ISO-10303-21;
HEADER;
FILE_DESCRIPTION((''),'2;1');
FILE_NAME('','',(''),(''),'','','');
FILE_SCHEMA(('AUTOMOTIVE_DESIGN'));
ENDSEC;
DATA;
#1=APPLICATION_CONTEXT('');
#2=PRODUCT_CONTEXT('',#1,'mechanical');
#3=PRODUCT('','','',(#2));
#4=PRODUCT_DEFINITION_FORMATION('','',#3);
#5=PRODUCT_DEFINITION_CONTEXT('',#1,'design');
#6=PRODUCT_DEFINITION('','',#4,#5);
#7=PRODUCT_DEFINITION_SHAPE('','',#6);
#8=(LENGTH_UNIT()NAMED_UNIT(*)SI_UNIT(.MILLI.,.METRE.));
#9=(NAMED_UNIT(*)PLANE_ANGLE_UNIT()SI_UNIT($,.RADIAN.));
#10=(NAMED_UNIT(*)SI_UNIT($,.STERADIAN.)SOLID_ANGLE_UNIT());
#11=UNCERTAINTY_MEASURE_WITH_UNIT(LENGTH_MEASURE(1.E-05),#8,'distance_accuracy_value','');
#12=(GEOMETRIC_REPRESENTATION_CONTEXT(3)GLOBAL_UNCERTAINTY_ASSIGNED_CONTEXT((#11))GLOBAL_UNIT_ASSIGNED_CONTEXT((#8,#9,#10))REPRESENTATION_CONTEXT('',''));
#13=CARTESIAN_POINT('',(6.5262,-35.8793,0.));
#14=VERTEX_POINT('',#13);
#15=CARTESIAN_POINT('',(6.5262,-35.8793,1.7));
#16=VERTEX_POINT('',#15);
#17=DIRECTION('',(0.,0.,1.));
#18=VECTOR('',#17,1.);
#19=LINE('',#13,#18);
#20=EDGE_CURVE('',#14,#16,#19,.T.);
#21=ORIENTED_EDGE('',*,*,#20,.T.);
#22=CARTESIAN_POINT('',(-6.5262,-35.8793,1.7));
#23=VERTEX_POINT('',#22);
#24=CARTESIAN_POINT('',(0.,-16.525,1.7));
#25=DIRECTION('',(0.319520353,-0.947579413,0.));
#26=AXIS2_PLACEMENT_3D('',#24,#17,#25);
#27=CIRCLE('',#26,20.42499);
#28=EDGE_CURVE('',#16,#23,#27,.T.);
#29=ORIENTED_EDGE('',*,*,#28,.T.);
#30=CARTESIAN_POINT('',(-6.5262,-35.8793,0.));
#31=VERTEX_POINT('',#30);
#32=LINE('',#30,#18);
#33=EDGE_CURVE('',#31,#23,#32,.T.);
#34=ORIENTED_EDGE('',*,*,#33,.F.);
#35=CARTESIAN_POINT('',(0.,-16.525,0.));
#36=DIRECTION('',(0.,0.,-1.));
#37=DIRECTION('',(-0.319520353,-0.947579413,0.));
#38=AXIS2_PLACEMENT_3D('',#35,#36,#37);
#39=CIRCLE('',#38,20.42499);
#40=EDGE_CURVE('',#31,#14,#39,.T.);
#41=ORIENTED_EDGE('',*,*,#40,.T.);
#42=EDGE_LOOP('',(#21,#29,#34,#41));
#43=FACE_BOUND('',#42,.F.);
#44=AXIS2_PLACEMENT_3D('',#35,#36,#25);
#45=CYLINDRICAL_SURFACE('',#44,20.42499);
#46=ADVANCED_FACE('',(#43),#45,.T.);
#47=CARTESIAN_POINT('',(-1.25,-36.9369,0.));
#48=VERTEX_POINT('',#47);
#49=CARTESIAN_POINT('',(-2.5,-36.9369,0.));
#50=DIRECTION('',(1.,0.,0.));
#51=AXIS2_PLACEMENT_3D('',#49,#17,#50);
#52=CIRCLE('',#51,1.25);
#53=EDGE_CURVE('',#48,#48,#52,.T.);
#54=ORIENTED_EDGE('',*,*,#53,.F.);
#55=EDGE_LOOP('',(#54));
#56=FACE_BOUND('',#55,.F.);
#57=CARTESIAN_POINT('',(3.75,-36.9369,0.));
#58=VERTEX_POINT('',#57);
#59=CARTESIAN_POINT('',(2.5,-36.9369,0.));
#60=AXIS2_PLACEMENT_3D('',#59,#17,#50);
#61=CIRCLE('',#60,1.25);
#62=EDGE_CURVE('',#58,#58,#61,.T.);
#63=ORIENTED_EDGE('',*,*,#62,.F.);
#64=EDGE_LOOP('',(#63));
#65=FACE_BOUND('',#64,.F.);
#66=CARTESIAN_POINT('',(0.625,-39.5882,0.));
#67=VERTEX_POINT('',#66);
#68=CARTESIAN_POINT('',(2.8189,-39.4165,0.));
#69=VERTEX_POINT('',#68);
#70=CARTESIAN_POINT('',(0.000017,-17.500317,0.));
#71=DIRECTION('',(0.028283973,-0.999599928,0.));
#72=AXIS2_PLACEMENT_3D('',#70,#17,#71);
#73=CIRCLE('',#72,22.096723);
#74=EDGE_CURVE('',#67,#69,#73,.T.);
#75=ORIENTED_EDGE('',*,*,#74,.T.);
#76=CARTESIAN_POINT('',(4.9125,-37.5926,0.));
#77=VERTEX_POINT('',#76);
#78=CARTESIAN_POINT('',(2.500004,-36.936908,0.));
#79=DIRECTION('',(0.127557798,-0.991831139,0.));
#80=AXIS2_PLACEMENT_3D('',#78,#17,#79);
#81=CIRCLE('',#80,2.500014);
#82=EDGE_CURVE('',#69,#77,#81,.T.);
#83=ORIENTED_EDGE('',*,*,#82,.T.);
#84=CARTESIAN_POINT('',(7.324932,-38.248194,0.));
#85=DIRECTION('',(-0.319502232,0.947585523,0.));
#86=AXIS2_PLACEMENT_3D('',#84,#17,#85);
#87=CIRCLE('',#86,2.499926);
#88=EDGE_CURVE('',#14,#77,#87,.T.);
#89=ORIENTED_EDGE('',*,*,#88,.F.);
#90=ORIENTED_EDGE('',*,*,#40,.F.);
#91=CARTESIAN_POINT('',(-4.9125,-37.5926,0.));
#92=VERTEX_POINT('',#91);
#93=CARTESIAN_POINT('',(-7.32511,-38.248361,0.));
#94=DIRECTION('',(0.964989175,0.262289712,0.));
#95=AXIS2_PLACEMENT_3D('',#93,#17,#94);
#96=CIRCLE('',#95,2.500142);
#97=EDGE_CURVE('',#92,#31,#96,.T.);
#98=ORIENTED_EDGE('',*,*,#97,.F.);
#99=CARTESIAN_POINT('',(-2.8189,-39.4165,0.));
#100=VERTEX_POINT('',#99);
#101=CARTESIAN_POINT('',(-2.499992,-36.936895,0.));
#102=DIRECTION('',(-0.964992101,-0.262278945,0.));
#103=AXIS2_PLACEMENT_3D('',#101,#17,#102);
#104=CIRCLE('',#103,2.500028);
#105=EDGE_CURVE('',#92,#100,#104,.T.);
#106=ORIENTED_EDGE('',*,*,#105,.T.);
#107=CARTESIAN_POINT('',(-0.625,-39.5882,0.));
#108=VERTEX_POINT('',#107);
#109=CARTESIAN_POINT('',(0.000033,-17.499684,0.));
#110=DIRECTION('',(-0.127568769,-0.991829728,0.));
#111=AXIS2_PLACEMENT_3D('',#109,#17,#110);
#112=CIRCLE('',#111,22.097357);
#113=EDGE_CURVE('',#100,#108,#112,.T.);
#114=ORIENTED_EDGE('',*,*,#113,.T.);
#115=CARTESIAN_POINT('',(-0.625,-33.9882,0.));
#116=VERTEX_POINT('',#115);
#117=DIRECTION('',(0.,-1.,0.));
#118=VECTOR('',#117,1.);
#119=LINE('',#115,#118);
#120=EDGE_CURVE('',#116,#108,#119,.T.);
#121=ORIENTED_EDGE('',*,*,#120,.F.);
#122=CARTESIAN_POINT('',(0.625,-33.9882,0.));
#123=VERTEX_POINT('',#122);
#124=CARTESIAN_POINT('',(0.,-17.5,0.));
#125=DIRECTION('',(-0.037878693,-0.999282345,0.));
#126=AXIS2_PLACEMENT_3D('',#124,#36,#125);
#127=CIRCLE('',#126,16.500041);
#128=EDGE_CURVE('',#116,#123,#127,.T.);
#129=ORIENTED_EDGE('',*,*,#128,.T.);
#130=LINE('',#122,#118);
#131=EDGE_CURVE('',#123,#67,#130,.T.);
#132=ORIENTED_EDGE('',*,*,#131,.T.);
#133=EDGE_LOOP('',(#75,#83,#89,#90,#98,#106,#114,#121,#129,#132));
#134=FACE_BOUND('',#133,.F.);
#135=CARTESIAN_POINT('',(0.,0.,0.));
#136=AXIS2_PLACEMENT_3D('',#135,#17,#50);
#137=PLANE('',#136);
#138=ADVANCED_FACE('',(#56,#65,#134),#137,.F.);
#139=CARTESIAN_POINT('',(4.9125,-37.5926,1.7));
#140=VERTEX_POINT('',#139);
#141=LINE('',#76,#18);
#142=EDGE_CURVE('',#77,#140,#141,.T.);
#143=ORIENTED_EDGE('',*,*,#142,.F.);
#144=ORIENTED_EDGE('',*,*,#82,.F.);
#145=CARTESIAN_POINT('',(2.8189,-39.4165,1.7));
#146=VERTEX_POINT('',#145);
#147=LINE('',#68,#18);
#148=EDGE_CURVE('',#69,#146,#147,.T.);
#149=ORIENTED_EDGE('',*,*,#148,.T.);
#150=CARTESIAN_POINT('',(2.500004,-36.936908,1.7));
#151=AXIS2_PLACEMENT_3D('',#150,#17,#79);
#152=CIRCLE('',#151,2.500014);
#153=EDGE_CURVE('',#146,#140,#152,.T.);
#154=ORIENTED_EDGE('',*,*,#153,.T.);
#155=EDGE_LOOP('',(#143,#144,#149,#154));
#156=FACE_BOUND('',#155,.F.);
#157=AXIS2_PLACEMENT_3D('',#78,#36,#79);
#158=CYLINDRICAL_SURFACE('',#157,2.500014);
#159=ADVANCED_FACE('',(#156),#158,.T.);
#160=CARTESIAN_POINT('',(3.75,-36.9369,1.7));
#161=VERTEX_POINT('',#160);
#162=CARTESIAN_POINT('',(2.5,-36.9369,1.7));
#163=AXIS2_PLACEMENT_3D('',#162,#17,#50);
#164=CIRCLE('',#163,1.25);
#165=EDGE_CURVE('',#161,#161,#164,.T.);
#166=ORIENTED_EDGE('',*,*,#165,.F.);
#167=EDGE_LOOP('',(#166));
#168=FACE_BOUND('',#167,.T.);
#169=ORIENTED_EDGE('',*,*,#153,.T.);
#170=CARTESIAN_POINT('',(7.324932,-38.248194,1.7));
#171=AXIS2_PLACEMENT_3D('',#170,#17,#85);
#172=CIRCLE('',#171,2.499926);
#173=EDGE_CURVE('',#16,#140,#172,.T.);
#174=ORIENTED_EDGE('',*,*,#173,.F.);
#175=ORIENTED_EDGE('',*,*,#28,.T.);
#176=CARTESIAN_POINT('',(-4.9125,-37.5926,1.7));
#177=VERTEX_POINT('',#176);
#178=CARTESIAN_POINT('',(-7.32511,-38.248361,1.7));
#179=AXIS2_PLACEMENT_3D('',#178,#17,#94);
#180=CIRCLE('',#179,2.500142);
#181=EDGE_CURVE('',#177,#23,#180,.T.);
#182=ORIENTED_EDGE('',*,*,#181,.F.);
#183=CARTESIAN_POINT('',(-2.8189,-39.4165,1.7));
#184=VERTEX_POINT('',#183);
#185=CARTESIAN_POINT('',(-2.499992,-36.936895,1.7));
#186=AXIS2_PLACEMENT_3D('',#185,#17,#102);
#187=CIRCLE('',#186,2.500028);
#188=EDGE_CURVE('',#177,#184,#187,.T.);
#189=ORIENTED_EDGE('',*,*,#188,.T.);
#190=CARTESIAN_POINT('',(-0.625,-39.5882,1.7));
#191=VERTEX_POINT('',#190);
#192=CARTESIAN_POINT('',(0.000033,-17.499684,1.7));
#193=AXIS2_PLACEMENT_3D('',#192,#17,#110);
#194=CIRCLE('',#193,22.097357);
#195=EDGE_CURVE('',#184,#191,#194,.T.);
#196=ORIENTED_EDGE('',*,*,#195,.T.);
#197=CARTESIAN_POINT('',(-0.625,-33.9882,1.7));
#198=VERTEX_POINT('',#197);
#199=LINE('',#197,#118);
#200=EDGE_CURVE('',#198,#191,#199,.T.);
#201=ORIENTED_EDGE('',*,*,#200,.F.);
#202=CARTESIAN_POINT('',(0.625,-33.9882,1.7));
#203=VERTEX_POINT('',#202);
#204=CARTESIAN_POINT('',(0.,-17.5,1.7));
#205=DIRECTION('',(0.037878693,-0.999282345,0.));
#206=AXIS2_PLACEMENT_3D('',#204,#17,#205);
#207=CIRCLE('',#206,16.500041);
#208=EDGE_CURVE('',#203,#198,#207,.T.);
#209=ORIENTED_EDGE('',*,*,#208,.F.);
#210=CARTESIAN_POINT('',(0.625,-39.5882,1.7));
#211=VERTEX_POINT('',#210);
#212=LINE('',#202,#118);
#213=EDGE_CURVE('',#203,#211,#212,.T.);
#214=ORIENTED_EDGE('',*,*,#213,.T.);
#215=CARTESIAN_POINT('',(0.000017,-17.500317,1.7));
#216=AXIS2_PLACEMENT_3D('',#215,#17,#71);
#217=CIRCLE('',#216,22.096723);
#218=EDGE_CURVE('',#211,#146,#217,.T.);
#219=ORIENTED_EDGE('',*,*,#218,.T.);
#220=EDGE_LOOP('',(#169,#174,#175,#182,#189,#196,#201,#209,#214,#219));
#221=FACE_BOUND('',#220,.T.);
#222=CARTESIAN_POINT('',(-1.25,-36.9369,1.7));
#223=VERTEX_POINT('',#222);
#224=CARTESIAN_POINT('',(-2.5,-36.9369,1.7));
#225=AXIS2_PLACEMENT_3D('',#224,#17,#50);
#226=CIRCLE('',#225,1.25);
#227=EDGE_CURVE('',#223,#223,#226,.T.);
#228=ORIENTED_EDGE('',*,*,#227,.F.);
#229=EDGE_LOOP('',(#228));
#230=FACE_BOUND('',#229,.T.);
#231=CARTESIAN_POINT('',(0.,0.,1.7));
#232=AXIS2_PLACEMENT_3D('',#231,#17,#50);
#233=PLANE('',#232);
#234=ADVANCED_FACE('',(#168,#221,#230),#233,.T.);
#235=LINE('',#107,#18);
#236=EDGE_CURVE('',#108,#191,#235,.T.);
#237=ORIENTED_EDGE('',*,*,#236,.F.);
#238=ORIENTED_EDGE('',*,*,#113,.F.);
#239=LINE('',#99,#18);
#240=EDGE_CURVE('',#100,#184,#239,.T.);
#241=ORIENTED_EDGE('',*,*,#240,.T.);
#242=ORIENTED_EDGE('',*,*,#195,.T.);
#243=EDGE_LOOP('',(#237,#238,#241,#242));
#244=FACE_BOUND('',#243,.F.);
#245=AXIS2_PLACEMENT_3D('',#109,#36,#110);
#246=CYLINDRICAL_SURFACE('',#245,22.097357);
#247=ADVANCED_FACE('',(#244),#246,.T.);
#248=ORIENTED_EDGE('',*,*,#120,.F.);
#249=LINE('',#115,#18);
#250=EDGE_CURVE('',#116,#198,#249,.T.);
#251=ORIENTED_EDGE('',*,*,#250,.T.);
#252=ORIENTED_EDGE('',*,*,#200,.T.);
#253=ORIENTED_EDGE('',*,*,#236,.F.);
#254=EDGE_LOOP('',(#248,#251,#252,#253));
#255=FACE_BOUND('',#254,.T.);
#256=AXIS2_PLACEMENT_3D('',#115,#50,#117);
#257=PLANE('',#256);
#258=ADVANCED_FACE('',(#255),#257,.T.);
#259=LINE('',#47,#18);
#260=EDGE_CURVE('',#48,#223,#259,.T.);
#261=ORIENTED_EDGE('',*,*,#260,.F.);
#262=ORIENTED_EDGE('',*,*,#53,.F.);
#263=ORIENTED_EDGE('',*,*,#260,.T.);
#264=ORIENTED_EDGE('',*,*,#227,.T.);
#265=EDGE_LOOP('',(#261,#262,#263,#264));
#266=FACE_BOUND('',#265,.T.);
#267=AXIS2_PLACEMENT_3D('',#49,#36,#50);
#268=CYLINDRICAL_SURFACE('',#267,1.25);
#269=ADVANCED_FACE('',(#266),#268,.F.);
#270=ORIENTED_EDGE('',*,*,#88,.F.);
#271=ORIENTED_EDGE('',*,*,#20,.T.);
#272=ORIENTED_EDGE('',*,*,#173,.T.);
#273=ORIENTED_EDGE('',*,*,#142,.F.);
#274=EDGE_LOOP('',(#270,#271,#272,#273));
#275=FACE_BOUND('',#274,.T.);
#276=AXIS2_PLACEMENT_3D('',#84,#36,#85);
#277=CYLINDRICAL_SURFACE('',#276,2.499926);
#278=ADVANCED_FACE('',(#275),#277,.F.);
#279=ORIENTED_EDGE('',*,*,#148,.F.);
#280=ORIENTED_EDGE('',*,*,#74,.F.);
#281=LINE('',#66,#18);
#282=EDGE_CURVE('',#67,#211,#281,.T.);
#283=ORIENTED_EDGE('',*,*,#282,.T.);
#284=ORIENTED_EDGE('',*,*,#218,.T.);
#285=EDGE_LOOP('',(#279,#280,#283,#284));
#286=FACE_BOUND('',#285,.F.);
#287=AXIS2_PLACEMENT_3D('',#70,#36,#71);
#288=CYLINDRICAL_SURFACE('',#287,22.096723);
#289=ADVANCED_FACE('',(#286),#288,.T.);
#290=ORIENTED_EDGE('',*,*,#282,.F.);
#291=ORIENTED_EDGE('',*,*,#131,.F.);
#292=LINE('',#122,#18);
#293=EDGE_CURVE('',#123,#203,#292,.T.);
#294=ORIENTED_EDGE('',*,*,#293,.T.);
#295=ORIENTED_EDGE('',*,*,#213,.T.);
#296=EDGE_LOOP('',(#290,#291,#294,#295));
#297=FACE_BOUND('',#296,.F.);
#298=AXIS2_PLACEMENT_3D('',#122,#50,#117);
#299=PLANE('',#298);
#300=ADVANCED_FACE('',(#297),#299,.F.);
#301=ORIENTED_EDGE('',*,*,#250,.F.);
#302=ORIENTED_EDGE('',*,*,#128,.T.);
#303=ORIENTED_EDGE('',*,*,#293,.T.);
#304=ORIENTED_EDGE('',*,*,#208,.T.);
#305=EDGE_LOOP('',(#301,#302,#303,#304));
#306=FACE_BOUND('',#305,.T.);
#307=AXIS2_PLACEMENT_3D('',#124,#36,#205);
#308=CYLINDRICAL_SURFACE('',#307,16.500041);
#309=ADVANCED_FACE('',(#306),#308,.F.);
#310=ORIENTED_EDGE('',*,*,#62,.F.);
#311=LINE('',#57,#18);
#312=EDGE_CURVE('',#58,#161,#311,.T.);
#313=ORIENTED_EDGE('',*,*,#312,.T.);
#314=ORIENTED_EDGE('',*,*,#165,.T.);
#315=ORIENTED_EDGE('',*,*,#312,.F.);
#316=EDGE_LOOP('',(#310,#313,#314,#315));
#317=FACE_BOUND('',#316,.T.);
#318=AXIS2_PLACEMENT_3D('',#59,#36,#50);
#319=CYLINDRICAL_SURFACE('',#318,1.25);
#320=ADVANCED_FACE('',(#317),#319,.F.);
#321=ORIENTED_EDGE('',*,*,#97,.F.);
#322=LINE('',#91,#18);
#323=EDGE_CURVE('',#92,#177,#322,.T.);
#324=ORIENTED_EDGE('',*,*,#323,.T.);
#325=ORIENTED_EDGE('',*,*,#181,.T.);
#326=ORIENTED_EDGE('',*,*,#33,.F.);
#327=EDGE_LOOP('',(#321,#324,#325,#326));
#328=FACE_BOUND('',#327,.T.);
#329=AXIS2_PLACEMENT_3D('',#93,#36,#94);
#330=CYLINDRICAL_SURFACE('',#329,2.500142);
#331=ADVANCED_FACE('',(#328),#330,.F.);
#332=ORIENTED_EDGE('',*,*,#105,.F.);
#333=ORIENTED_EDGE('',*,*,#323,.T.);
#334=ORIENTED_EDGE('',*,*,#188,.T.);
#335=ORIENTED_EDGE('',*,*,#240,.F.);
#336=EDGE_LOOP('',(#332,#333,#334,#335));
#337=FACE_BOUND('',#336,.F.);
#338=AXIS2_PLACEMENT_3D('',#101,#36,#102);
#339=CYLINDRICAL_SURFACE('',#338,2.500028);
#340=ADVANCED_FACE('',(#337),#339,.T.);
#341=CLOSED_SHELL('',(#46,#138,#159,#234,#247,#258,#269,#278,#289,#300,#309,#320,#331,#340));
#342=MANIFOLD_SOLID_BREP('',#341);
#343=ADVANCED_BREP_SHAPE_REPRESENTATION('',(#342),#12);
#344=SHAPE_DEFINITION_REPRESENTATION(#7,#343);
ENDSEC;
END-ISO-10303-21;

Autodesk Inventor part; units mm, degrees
ref_plane "YZ Plane" through (0, 0, 0) normal (1, 0, 0) x (0, 1, 0)
ref_plane "XZ Plane" through (0, 0, 0) normal (0, 1, 0) x (-1, 0, 0)
sketch "Эскиз1" plane through (0, 0, 0) normal (0, 0, 1) x (1, 0, 0)
  line L0 (-6, 0) -> (6, 0) construction
  arc A0 (0.625, -33.9882) -> (-0.625, -33.9882) centre (0, -17.5) ccw
  line L1 (0, 20.1894) -> (0, -80.5364) projected
  line L2 (-48.09, 0) -> (48.09, 0) projected
  line L3 (-0.625, -33.9882) -> (-0.625, -39.5882)
  line L4 (-0.625, -6.5402) -> (-0.625, -13.29) construction
  line L5 (-2.7947, 3.9) -> (3.6722, 3.9) construction
  arc A1 (6.5262, -35.8793) -> (-6.5262, -35.8793) centre (0, -16.525) ccw
  arc A2 (-2.8189, -39.4165) -> (-0.625, -39.5882) centre (0, -17.5) ccw
  arc A3 (-4.9125, -37.5926) -> (-2.8189, -39.4165) centre (-2.5, -36.9369) ccw
  arc A4 (-4.9125, -37.5926) -> (-6.5262, -35.8793) centre (-7.325, -38.2483) ccw
  line L6 (0.625, -33.9882) -> (0.625, -39.5882)
  line L7 (0.625, -6.5402) -> (0.625, -13.29) construction
  arc A5 (0.625, -39.5882) -> (2.8189, -39.4165) centre (0, -17.5) ccw
  arc A6 (2.8189, -39.4165) -> (4.9125, -37.5926) centre (2.5, -36.9369) ccw
  arc A7 (6.5262, -35.8793) -> (4.9125, -37.5926) centre (7.325, -38.2483) ccw
  circle A8 centre (-2.5, -36.9369) radius 1.25
  circle A9 centre (2.5, -36.9369) radius 1.25
  dimension "d0" = 33
  dimension "d1" = 5.6
  dimension "d6" = 0.625
  dimension "d7" = 3.9
  dimension "d8" = 0.975
  dimension "d9" = 2.5
  dimension "d10" = 2.5
  dimension "d11" = 1.875
  dimension "d12" = 2.5
  dimension "d13" = 2.5
  dimension "d14" = 17.5
extrude "Базовый элемент" add sketch "Эскиз1" along normal blind 1.7
ref_plane "Work Plane1" through (0, -17.5, 0) normal (1, 0, 0) x (0, 0, 1)
equation "\"d0\" = ND"
equation "\"d1\" = SRB2"
equation "\"d6\" = 0.25 * SD5"
equation "\"d7\" = SRB1"
equation "\"d8\" = 0.25 * SRB1"
equation "\"d9\" = SD5"
equation "\"d10\" = SD5"
equation "\"d11\" = 0.75 * SD5"
equation "\"d12\" = SD5"
equation "\"d13\" = SD5"
equation "\"d14\" = 0.5 * WD"
equation "\"d2\" = SD"
equation "\"WD\" = WDMIN"
equation "\"SD\" = 1.7"
equation "\"SRB1\" = 3.9"
equation "\"ND\" = 33"
equation "\"SRB2\" = 5.6"
equation "\"SD5\" = 2.5"
equation "\"WDMIN\" = 35"
equation "\"SD3\" = 32.2"
equation "\"WDMAX\" = 36"
equation "\"SNB\" = 1.9"
equation "\"BUBRMI\" = 3"
properties part number "Кольцо A35 ГОСТ 13942-86" material "Сталь, мягкая"
